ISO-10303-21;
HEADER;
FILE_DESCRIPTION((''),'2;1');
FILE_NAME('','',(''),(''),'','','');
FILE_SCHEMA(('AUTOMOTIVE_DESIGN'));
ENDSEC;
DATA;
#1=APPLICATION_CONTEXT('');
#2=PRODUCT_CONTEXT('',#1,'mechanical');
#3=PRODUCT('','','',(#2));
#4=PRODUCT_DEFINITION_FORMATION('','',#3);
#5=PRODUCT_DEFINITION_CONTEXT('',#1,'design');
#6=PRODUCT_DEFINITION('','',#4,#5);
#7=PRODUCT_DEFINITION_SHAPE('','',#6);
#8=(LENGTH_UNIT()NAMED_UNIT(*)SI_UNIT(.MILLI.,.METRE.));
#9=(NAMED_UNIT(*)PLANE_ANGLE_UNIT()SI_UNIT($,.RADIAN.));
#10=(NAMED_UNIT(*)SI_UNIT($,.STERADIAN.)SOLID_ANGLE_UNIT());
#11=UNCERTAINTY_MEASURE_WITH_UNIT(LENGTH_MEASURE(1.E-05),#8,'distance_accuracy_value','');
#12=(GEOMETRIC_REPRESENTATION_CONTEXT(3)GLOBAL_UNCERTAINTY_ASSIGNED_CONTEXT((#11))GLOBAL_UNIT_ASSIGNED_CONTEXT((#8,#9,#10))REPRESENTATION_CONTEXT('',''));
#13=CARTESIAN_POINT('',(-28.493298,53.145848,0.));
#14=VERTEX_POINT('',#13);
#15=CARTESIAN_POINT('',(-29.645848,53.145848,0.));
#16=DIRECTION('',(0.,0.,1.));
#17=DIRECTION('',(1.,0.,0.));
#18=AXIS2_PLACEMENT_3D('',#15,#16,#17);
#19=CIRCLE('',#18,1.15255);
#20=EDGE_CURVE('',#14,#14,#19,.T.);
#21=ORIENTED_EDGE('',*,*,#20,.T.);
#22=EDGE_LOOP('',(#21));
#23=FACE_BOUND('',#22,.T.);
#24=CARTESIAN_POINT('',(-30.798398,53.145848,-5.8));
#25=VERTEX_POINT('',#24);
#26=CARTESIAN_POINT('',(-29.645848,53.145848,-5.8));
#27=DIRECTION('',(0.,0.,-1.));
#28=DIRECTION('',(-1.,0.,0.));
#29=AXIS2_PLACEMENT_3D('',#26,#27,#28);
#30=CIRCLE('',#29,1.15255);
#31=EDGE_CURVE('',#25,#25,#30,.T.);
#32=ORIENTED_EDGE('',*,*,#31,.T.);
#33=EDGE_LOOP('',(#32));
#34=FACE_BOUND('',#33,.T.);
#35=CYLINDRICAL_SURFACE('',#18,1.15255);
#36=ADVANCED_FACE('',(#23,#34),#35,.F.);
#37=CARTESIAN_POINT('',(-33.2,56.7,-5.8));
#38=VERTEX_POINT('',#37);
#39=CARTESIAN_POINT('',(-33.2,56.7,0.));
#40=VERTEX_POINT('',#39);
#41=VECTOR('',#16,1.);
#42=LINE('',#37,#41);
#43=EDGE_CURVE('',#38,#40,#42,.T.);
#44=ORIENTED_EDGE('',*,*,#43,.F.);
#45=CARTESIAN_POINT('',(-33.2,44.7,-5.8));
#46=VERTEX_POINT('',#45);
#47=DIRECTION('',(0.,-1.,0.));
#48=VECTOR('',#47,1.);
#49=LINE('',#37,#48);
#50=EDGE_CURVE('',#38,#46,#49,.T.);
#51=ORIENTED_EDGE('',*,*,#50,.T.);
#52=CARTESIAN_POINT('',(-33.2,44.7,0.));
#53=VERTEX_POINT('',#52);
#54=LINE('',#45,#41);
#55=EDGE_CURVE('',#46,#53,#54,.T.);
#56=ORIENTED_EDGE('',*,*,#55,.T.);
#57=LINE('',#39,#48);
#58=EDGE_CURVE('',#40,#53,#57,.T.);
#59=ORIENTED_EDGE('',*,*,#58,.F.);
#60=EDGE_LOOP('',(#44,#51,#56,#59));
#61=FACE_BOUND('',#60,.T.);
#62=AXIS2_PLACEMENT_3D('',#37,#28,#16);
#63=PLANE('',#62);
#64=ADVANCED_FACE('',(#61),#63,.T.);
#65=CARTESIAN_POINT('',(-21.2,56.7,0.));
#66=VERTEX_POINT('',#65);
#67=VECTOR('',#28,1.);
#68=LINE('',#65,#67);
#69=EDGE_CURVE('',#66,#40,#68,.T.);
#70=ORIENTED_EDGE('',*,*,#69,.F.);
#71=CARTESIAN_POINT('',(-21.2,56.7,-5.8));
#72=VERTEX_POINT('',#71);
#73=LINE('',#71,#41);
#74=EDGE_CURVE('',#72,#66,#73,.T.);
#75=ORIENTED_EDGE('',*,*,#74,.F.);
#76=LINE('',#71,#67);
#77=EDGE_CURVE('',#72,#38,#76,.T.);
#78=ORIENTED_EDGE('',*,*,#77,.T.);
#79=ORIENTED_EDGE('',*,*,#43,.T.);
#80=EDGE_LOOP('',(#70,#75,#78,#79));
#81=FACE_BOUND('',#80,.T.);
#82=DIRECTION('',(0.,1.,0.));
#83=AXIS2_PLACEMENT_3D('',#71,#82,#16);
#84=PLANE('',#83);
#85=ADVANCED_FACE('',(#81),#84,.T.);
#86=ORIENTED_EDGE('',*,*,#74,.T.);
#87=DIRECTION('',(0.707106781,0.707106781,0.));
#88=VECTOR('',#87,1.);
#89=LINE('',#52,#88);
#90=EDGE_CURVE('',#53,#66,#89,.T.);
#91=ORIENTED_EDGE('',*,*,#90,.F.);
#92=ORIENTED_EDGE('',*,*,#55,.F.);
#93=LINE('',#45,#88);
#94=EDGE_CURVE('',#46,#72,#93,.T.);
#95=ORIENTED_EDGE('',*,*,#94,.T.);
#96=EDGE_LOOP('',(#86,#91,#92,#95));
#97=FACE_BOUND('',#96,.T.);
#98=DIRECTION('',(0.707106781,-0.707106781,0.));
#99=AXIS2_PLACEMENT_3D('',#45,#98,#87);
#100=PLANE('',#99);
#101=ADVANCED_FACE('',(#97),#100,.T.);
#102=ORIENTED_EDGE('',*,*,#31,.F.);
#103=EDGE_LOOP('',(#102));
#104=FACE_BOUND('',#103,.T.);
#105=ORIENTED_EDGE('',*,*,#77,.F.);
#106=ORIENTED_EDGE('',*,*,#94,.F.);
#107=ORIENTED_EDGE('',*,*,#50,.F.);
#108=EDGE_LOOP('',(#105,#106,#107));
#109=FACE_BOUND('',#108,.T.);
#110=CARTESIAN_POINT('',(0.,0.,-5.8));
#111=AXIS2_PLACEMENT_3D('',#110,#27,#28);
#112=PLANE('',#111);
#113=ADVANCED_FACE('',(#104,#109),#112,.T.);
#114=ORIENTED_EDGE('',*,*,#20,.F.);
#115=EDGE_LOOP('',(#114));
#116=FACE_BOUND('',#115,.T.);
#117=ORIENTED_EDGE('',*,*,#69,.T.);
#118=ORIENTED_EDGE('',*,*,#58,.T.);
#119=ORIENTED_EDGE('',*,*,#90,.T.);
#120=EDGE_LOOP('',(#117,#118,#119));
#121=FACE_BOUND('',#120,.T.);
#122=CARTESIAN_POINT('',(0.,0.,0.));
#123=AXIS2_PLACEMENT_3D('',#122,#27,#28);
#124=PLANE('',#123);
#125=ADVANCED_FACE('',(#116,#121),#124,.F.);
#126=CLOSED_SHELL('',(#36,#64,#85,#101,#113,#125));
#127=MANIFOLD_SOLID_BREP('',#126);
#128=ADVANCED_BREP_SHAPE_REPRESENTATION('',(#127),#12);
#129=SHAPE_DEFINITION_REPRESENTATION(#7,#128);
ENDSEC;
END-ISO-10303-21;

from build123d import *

# Parameters (mm, degrees)
BOSS_EXTRUDE1_DEPTH       = 5.8
F_6_32_TAPPED_HOLE4_D     = 2.305100038
F_6_32_TAPPED_HOLE4_DEPTH = 5.8


with BuildPart() as part:
    # Sketch1 → Boss-Extrude1 (new body)
    with BuildSketch(Plane.XY):
        Polygon((-33.2, 56.7), (-33.2, 44.7), (-21.2, 56.7), align=None)
    extrude(amount=-BOSS_EXTRUDE1_DEPTH)

    # #6-32 Tapped Hole4
    with Locations(Plane.XY):
        with Locations((-28.675364671, 25.000000038), (-29.645847618, 53.145847618)):
            Hole(F_6_32_TAPPED_HOLE4_D / 2, depth=F_6_32_TAPPED_HOLE4_DEPTH)


solid = part.part
